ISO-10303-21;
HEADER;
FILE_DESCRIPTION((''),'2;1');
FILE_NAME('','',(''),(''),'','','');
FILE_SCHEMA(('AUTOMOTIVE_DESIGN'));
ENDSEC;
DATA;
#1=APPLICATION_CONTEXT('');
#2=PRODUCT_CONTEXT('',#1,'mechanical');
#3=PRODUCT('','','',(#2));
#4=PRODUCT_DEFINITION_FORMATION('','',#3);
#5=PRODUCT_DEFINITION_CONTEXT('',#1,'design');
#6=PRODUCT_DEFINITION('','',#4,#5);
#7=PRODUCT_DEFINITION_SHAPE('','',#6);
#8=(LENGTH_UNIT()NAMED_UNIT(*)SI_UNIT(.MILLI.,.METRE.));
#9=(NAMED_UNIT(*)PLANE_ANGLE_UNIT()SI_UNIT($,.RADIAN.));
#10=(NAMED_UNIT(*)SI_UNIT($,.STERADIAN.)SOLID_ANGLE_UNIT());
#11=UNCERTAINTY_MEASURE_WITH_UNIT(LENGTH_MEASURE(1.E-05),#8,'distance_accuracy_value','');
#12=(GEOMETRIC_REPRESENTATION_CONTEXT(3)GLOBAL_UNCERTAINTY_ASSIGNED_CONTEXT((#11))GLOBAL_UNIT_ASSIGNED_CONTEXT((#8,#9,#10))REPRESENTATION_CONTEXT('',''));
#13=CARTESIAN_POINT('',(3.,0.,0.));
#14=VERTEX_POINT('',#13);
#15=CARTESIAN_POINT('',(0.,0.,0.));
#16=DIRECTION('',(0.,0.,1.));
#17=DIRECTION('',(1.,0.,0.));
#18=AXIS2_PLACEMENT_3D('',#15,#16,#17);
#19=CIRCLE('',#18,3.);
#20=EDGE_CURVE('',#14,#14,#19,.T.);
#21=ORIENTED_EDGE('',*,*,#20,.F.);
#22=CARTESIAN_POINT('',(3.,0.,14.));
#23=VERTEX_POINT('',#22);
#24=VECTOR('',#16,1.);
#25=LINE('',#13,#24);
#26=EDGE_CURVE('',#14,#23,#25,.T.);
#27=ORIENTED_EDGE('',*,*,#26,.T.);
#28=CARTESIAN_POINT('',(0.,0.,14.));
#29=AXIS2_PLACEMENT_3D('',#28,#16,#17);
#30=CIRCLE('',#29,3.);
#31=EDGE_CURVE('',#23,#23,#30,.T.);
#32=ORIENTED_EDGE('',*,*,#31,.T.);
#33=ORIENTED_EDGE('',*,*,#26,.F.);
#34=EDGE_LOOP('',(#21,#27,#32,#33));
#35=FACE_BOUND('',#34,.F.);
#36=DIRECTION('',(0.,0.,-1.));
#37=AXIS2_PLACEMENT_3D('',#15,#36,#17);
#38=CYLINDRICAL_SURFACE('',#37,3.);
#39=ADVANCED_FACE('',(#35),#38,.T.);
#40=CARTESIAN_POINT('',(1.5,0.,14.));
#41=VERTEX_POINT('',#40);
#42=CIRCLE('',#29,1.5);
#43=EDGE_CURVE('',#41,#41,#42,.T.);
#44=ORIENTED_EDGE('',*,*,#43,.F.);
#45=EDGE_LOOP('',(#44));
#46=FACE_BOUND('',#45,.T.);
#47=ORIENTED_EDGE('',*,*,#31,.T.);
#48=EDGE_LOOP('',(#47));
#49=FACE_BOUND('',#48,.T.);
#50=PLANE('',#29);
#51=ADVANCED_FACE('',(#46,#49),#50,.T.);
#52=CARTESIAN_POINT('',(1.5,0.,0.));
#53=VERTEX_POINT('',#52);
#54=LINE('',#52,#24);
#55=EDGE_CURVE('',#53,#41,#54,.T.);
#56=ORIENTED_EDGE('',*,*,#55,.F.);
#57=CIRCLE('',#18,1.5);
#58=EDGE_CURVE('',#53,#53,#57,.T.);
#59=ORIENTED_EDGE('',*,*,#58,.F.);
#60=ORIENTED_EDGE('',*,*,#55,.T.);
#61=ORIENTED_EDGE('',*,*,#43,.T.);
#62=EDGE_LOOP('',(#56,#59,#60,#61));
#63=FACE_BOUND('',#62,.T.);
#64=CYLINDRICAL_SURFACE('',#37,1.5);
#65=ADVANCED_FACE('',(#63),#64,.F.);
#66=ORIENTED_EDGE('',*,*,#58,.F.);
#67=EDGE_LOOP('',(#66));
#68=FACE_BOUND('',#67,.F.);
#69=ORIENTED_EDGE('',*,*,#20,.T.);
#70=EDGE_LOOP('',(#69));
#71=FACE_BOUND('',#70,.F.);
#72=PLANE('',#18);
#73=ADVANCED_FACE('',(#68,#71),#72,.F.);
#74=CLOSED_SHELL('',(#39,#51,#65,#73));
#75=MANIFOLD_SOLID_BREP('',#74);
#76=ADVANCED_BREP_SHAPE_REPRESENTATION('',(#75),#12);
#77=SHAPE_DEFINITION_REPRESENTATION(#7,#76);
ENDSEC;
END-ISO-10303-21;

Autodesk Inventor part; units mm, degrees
ref_plane "YZ Plane" through (0, 0, 0) normal (1, 0, 0) x (0, 1, 0)
ref_plane "XZ Plane" through (0, 0, 0) normal (0, 1, 0) x (-1, 0, 0)
ref_plane "XY Plane" through (0, 0, 0) normal (0, 0, 1) x (1, 0, 0)
sketch "スケッチ1" plane through (0, 0, 0) normal (0, 0, 1) x (1, 0, 0)
  circle A0 centre (0, 0) radius 3
  circle A1 centre (0, 0) radius 1.5
  dimension "d0" = 6
  dimension "d1" = 3
extrude "押し出し1" add sketch "スケッチ1" along normal blind 14
properties part number "スペーサーm3-14　本物　簡易筒型" material "アルミニウム 2014-T4"
